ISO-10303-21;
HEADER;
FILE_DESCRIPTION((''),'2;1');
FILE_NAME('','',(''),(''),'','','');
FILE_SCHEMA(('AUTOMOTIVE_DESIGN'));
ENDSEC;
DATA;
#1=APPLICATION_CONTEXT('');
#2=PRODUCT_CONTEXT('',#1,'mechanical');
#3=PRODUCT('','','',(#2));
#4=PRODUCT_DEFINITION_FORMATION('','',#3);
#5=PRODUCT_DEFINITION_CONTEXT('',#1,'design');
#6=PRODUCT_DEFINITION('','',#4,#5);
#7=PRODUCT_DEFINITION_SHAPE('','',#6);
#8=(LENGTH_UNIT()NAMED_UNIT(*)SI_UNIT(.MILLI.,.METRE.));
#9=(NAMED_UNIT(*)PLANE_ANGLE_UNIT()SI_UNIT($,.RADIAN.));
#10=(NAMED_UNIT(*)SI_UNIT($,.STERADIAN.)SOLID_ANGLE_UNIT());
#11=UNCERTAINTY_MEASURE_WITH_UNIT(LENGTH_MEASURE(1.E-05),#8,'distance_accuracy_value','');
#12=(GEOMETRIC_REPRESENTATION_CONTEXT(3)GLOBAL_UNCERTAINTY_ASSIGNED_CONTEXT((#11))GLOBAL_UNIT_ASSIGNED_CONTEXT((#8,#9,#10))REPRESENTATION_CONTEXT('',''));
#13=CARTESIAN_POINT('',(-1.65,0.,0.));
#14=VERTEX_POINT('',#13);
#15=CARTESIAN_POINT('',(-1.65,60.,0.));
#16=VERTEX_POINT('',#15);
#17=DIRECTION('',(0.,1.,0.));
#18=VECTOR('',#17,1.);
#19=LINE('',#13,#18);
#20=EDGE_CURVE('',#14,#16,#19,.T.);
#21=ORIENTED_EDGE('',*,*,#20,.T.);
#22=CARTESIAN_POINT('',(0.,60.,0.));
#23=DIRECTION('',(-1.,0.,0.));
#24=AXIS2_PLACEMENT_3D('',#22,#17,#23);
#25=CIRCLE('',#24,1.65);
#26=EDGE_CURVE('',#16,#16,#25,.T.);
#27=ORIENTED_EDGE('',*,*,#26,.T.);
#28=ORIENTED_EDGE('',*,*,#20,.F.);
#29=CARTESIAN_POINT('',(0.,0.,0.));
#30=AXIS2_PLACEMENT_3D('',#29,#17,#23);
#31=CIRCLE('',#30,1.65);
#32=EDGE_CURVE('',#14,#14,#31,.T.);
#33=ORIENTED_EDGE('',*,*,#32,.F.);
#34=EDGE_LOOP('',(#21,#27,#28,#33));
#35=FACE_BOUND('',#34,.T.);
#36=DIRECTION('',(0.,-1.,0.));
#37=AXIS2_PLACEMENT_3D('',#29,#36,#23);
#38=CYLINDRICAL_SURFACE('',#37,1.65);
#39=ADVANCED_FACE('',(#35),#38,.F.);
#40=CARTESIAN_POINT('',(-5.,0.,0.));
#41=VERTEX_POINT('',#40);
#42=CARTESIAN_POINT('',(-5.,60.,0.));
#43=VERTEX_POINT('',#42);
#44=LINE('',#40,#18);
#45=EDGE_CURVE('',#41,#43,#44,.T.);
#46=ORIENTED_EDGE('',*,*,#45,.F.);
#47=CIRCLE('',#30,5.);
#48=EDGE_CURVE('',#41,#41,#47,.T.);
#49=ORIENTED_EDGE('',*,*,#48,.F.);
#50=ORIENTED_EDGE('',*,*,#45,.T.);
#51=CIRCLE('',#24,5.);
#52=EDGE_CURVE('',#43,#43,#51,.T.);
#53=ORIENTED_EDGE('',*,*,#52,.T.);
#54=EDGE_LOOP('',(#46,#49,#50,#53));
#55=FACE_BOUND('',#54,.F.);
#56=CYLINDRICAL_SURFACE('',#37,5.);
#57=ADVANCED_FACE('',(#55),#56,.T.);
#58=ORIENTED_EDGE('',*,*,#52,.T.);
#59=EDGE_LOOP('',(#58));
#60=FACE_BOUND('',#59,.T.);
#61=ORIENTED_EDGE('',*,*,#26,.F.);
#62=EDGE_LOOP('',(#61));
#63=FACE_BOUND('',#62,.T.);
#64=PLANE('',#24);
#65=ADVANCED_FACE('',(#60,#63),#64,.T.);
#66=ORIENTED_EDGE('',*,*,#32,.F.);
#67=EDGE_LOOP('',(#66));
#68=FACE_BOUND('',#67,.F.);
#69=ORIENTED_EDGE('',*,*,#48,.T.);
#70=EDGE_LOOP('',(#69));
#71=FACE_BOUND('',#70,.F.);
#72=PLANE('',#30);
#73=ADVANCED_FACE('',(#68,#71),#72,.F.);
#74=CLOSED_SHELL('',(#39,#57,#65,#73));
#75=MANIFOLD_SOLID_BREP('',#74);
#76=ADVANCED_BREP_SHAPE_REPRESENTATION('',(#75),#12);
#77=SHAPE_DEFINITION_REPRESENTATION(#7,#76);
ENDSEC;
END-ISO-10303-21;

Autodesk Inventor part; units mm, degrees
ref_plane "YZ Plane" through (0, 0, 0) normal (1, 0, 0) x (0, 1, 0)
ref_plane "XZ Plane" through (0, 0, 0) normal (0, 1, 0) x (-1, 0, 0)
ref_plane "XY Plane" through (0, 0, 0) normal (0, 0, 1) x (1, 0, 0)
sketch "スケッチ1" plane through (0, 0, 0) normal (0, 1, 0) x (-1, 0, 0)
  circle A0 centre (0, 0) radius 1.65
  circle A1 centre (0, 0) radius 5
  dimension "d0" = 3.3
  dimension "d1" = 10
extrude "押し出し1" add sketch "スケッチ1" along normal blind 60
properties part number "shoulder2_upper_plate_spacer"
